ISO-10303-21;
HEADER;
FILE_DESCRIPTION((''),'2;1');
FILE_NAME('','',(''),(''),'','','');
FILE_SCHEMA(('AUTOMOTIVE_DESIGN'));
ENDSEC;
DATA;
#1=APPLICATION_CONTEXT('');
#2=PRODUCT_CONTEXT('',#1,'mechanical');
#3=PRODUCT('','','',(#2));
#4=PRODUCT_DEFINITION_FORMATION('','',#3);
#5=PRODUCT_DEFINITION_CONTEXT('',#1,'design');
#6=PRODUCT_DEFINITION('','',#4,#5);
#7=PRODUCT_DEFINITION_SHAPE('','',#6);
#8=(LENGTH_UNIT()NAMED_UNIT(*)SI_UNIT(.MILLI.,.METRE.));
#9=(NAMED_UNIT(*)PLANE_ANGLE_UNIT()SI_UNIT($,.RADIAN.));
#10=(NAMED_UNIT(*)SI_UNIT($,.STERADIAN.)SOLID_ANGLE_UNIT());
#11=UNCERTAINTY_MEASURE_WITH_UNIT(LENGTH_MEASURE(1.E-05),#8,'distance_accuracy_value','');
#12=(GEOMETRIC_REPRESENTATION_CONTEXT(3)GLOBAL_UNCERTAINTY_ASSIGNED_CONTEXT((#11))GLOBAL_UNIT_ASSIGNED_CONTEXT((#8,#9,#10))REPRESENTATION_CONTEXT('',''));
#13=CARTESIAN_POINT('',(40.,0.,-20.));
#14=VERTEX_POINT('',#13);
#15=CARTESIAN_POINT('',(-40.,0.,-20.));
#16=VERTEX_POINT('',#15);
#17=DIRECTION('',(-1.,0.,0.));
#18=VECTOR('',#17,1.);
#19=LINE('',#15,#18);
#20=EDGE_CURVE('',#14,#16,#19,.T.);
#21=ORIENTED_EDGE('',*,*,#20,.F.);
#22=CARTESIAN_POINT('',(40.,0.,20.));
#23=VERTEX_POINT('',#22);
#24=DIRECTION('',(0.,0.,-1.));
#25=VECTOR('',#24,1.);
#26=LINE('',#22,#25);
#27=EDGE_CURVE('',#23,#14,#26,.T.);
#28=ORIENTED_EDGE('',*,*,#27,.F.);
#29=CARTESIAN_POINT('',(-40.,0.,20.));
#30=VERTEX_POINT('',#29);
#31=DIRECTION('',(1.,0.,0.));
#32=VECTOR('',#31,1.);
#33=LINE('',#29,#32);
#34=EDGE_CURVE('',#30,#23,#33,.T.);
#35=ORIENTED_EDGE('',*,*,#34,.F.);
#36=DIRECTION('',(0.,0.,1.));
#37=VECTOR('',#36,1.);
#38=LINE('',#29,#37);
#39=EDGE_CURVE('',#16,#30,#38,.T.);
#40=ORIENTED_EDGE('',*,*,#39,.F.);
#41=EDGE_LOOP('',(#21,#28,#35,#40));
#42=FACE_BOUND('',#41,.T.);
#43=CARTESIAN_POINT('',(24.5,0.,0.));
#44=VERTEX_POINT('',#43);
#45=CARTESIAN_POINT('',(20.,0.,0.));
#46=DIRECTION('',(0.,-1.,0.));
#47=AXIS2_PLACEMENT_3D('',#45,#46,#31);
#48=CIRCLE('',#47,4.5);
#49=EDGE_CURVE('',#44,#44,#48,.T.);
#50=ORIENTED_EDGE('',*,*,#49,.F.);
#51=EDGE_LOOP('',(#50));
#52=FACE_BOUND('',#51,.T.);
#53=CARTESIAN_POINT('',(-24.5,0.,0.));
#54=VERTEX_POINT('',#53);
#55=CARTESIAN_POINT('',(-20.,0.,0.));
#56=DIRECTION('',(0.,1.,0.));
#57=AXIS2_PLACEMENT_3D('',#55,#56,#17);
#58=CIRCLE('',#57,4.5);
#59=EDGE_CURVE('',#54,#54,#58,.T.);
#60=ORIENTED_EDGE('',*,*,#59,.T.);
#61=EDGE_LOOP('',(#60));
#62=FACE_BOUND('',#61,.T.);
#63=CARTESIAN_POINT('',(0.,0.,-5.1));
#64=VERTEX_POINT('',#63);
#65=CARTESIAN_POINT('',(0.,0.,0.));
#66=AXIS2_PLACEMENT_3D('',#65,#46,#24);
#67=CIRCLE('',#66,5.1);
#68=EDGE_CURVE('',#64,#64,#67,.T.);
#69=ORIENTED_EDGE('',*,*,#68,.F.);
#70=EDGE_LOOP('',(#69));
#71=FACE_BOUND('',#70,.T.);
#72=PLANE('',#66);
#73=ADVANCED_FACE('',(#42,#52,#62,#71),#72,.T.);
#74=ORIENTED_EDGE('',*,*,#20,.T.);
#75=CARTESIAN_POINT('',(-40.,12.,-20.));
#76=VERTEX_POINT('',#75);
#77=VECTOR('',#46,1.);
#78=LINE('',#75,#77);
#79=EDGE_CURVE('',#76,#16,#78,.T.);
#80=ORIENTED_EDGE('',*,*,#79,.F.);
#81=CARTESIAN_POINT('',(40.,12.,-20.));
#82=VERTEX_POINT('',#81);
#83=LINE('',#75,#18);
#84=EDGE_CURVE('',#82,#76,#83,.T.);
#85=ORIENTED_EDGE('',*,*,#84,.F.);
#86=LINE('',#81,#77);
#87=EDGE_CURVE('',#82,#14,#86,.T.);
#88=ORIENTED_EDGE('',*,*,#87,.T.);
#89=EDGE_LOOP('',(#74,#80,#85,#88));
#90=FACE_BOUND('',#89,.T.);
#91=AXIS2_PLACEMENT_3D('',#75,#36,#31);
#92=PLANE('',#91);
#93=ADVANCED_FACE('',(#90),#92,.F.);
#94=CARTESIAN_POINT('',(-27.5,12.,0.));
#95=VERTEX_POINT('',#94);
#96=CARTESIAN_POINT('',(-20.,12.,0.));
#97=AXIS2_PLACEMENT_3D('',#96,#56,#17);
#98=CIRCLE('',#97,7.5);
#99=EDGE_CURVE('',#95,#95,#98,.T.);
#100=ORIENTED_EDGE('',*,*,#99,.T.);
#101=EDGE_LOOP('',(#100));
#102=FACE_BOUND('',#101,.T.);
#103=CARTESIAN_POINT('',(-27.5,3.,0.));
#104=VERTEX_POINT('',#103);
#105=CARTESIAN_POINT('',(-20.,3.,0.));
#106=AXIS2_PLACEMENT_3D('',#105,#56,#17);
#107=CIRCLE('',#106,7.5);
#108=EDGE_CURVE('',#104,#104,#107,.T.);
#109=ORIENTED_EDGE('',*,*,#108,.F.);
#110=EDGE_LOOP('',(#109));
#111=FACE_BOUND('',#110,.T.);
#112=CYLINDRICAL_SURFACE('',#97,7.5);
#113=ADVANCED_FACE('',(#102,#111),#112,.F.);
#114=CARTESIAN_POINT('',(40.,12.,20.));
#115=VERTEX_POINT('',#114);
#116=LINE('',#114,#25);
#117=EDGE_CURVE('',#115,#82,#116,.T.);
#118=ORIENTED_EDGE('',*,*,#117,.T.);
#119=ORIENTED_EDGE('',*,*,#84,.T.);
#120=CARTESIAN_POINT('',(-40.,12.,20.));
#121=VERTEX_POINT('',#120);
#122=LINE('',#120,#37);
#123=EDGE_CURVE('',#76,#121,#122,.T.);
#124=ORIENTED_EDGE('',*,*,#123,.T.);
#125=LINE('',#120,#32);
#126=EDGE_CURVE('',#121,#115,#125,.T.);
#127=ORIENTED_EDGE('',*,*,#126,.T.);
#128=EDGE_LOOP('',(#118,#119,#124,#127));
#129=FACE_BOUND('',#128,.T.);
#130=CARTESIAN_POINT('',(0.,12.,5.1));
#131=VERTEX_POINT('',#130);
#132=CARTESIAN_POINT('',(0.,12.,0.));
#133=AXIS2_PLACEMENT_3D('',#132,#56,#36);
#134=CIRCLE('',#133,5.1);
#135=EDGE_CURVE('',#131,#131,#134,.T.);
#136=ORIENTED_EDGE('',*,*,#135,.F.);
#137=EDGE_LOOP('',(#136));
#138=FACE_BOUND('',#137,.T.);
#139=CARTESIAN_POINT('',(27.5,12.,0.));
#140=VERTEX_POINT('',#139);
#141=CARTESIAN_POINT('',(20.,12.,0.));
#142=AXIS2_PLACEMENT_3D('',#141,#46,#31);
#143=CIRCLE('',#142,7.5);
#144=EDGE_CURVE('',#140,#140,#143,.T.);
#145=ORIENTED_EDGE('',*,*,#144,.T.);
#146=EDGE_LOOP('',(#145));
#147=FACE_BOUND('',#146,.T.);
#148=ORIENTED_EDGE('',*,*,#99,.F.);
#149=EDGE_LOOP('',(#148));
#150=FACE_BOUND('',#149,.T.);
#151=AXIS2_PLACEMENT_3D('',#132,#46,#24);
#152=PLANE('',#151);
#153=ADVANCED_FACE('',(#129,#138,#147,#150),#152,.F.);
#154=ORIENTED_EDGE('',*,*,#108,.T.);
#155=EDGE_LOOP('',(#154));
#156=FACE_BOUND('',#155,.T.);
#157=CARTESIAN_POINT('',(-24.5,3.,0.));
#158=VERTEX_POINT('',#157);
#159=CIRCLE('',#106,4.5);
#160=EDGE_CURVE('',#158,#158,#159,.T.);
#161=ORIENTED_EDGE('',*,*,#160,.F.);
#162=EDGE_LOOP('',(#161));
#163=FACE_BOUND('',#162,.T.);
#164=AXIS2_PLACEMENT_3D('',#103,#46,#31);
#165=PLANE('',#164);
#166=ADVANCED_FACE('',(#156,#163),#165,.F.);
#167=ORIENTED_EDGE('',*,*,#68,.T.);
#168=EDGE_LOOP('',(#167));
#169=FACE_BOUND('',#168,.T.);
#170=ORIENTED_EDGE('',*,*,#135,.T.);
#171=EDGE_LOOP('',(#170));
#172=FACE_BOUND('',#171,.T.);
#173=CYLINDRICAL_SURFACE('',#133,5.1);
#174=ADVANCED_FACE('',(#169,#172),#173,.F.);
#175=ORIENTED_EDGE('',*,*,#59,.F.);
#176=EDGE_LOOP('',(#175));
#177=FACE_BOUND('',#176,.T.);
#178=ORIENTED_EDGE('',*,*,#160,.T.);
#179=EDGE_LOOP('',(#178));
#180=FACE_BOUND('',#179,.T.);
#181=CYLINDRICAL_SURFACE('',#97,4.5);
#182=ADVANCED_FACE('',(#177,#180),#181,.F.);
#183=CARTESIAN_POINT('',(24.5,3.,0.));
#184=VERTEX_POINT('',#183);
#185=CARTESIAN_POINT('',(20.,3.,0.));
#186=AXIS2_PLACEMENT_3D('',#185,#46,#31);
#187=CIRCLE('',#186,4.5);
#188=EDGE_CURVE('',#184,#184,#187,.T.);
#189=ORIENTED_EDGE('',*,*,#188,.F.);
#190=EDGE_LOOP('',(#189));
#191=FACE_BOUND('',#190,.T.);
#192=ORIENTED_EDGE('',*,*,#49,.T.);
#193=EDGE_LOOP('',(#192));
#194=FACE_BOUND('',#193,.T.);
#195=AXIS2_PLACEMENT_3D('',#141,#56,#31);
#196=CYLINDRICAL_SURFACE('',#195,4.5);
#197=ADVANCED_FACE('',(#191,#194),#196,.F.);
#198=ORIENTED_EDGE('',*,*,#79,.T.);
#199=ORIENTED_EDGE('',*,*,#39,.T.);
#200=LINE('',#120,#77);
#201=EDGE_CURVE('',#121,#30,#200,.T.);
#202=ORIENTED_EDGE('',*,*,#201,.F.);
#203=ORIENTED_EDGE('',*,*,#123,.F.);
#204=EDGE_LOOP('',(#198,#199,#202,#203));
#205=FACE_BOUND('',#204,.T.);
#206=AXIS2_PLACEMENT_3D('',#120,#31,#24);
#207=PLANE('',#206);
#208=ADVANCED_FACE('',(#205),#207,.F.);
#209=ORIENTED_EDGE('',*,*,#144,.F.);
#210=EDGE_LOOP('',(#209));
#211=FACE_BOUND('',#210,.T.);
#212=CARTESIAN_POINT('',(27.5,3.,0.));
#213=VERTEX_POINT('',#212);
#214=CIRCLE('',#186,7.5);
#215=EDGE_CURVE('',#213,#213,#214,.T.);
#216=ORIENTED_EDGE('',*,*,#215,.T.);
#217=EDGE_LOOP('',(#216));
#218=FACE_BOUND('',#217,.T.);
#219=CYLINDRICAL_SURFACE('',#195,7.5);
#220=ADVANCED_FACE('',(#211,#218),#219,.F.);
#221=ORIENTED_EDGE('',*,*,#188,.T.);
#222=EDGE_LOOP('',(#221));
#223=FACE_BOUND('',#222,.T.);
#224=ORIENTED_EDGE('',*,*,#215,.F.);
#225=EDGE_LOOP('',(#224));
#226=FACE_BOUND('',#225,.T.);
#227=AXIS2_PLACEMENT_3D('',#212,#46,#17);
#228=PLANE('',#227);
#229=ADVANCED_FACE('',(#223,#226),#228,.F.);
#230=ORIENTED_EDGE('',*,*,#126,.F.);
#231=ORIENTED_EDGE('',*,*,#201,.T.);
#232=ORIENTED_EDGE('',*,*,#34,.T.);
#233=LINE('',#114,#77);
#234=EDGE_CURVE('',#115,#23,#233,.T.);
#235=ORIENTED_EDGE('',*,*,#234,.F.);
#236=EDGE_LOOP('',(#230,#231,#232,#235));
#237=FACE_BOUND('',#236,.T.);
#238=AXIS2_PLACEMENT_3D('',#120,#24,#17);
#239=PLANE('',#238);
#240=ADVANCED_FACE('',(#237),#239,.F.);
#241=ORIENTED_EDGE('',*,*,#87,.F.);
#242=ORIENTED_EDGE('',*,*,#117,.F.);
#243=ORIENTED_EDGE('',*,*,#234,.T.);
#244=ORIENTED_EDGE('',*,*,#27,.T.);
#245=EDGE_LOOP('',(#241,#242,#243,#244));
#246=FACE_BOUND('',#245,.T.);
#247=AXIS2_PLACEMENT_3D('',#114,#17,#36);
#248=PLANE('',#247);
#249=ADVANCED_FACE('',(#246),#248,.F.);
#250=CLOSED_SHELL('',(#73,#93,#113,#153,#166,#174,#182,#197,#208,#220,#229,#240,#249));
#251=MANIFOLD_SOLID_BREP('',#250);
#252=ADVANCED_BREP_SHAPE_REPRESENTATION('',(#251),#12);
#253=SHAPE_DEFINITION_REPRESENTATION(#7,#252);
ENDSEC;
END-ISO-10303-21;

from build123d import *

# Parameters (mm, degrees)
SKETCH_1_W             = 80
SKETCH_1_H             = 40
EXTRUDE_1_DEPTH        = 12
HOLE_WIZARD_M121_D     = 10.2
HOLE_WIZARD_M121_DEPTH = 12


with BuildPart() as part:
    # Эскиз1 → Бобышка-Вытянуть1 (new body)
    with BuildSketch(Plane(origin=(0, 0, 0), x_dir=(1, 0, 0), z_dir=(0, 1, 0))):
        Rectangle(SKETCH_1_W, SKETCH_1_H)
    extrude(amount=EXTRUDE_1_DEPTH)

    # Эскиз2 → Вырез-Повернуть1 (revolve, cut)
    with BuildSketch(Plane.XY):
        Polygon((-27.5, 12), (-27.5, 3), (-24.5, 3), (-24.5, 0), (-20, 0), (-20, 12), align=None)
    cut_revolve_1 = revolve(axis=Axis((-20, 12, 0), (0, -1, 0)), mode=Mode.SUBTRACT)

    # Зеркальное отражение1: Вырез-Повернуть1 across plane
    add(cut_revolve_1.mirror(Plane(origin=(0, 0, 0), x_dir=(0, 0, 1), z_dir=(1, 0, 0))), mode=Mode.SUBTRACT)

    # Отверстие обработанное метчиком M121
    with Locations(Plane(origin=(0, 12, 0), x_dir=(1, 0, 0), z_dir=(0, 1, 0))):
        with Locations((0, 0)):
            Hole(HOLE_WIZARD_M121_D / 2, depth=HOLE_WIZARD_M121_DEPTH)


solid = part.part
